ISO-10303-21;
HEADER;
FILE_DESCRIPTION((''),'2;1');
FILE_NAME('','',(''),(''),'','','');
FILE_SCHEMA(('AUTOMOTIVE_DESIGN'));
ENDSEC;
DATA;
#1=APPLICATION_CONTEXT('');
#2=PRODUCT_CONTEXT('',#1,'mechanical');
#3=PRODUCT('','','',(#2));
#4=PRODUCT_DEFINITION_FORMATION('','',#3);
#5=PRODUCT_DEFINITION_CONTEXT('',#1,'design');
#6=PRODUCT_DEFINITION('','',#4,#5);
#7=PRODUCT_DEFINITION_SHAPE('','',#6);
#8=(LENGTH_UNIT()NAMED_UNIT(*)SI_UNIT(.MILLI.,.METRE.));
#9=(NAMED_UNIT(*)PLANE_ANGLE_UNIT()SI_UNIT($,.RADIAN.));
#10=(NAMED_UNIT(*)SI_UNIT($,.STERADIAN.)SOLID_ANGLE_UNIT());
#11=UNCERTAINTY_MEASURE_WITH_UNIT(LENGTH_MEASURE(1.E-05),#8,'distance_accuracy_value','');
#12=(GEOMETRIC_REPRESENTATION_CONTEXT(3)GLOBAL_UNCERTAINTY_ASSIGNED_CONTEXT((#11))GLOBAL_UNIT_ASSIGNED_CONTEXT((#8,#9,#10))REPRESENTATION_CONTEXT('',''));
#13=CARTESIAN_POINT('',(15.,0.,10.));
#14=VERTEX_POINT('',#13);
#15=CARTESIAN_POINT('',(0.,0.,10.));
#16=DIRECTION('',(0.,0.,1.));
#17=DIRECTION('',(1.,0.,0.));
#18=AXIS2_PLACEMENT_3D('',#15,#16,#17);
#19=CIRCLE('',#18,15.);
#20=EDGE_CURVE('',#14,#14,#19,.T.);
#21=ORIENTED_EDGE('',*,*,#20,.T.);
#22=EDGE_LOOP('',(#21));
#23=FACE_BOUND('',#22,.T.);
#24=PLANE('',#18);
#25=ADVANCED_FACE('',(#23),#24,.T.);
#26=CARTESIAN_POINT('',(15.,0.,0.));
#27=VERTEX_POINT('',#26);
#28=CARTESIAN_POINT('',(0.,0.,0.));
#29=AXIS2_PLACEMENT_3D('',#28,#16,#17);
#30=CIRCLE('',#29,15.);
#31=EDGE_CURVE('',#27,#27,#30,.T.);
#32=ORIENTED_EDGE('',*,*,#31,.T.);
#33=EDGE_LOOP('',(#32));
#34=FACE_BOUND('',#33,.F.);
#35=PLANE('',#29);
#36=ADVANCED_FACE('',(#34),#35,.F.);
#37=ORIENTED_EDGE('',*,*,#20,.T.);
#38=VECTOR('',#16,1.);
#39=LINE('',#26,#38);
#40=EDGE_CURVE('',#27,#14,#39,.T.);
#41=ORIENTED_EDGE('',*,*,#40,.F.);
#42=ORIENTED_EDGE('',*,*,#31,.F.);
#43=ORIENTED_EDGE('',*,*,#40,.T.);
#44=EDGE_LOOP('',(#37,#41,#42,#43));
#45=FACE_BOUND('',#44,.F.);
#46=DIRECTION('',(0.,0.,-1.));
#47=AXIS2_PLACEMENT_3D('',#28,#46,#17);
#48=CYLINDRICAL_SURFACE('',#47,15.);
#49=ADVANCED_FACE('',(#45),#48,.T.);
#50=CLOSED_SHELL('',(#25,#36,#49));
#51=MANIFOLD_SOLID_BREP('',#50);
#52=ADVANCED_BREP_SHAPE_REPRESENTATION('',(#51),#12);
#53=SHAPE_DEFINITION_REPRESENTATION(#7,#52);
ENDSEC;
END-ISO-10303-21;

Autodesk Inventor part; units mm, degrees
ref_plane "YZ Plane" through (0, 0, 0) normal (1, 0, 0) x (0, 1, 0)
ref_plane "XZ Plane" through (0, 0, 0) normal (0, 1, 0) x (-1, 0, 0)
ref_plane "XY Plane" through (0, 0, 0) normal (0, 0, 1) x (1, 0, 0)
sketch "Sketch1" plane through (0, 0, 0) normal (0, 0, 1) x (1, 0, 0)
  circle A0 centre (0, 0) radius 15
  dimension "d0" = 30
extrude "Extrusion1" add sketch "Sketch1" along normal blind 10
properties part number "sprinkler dummy"
